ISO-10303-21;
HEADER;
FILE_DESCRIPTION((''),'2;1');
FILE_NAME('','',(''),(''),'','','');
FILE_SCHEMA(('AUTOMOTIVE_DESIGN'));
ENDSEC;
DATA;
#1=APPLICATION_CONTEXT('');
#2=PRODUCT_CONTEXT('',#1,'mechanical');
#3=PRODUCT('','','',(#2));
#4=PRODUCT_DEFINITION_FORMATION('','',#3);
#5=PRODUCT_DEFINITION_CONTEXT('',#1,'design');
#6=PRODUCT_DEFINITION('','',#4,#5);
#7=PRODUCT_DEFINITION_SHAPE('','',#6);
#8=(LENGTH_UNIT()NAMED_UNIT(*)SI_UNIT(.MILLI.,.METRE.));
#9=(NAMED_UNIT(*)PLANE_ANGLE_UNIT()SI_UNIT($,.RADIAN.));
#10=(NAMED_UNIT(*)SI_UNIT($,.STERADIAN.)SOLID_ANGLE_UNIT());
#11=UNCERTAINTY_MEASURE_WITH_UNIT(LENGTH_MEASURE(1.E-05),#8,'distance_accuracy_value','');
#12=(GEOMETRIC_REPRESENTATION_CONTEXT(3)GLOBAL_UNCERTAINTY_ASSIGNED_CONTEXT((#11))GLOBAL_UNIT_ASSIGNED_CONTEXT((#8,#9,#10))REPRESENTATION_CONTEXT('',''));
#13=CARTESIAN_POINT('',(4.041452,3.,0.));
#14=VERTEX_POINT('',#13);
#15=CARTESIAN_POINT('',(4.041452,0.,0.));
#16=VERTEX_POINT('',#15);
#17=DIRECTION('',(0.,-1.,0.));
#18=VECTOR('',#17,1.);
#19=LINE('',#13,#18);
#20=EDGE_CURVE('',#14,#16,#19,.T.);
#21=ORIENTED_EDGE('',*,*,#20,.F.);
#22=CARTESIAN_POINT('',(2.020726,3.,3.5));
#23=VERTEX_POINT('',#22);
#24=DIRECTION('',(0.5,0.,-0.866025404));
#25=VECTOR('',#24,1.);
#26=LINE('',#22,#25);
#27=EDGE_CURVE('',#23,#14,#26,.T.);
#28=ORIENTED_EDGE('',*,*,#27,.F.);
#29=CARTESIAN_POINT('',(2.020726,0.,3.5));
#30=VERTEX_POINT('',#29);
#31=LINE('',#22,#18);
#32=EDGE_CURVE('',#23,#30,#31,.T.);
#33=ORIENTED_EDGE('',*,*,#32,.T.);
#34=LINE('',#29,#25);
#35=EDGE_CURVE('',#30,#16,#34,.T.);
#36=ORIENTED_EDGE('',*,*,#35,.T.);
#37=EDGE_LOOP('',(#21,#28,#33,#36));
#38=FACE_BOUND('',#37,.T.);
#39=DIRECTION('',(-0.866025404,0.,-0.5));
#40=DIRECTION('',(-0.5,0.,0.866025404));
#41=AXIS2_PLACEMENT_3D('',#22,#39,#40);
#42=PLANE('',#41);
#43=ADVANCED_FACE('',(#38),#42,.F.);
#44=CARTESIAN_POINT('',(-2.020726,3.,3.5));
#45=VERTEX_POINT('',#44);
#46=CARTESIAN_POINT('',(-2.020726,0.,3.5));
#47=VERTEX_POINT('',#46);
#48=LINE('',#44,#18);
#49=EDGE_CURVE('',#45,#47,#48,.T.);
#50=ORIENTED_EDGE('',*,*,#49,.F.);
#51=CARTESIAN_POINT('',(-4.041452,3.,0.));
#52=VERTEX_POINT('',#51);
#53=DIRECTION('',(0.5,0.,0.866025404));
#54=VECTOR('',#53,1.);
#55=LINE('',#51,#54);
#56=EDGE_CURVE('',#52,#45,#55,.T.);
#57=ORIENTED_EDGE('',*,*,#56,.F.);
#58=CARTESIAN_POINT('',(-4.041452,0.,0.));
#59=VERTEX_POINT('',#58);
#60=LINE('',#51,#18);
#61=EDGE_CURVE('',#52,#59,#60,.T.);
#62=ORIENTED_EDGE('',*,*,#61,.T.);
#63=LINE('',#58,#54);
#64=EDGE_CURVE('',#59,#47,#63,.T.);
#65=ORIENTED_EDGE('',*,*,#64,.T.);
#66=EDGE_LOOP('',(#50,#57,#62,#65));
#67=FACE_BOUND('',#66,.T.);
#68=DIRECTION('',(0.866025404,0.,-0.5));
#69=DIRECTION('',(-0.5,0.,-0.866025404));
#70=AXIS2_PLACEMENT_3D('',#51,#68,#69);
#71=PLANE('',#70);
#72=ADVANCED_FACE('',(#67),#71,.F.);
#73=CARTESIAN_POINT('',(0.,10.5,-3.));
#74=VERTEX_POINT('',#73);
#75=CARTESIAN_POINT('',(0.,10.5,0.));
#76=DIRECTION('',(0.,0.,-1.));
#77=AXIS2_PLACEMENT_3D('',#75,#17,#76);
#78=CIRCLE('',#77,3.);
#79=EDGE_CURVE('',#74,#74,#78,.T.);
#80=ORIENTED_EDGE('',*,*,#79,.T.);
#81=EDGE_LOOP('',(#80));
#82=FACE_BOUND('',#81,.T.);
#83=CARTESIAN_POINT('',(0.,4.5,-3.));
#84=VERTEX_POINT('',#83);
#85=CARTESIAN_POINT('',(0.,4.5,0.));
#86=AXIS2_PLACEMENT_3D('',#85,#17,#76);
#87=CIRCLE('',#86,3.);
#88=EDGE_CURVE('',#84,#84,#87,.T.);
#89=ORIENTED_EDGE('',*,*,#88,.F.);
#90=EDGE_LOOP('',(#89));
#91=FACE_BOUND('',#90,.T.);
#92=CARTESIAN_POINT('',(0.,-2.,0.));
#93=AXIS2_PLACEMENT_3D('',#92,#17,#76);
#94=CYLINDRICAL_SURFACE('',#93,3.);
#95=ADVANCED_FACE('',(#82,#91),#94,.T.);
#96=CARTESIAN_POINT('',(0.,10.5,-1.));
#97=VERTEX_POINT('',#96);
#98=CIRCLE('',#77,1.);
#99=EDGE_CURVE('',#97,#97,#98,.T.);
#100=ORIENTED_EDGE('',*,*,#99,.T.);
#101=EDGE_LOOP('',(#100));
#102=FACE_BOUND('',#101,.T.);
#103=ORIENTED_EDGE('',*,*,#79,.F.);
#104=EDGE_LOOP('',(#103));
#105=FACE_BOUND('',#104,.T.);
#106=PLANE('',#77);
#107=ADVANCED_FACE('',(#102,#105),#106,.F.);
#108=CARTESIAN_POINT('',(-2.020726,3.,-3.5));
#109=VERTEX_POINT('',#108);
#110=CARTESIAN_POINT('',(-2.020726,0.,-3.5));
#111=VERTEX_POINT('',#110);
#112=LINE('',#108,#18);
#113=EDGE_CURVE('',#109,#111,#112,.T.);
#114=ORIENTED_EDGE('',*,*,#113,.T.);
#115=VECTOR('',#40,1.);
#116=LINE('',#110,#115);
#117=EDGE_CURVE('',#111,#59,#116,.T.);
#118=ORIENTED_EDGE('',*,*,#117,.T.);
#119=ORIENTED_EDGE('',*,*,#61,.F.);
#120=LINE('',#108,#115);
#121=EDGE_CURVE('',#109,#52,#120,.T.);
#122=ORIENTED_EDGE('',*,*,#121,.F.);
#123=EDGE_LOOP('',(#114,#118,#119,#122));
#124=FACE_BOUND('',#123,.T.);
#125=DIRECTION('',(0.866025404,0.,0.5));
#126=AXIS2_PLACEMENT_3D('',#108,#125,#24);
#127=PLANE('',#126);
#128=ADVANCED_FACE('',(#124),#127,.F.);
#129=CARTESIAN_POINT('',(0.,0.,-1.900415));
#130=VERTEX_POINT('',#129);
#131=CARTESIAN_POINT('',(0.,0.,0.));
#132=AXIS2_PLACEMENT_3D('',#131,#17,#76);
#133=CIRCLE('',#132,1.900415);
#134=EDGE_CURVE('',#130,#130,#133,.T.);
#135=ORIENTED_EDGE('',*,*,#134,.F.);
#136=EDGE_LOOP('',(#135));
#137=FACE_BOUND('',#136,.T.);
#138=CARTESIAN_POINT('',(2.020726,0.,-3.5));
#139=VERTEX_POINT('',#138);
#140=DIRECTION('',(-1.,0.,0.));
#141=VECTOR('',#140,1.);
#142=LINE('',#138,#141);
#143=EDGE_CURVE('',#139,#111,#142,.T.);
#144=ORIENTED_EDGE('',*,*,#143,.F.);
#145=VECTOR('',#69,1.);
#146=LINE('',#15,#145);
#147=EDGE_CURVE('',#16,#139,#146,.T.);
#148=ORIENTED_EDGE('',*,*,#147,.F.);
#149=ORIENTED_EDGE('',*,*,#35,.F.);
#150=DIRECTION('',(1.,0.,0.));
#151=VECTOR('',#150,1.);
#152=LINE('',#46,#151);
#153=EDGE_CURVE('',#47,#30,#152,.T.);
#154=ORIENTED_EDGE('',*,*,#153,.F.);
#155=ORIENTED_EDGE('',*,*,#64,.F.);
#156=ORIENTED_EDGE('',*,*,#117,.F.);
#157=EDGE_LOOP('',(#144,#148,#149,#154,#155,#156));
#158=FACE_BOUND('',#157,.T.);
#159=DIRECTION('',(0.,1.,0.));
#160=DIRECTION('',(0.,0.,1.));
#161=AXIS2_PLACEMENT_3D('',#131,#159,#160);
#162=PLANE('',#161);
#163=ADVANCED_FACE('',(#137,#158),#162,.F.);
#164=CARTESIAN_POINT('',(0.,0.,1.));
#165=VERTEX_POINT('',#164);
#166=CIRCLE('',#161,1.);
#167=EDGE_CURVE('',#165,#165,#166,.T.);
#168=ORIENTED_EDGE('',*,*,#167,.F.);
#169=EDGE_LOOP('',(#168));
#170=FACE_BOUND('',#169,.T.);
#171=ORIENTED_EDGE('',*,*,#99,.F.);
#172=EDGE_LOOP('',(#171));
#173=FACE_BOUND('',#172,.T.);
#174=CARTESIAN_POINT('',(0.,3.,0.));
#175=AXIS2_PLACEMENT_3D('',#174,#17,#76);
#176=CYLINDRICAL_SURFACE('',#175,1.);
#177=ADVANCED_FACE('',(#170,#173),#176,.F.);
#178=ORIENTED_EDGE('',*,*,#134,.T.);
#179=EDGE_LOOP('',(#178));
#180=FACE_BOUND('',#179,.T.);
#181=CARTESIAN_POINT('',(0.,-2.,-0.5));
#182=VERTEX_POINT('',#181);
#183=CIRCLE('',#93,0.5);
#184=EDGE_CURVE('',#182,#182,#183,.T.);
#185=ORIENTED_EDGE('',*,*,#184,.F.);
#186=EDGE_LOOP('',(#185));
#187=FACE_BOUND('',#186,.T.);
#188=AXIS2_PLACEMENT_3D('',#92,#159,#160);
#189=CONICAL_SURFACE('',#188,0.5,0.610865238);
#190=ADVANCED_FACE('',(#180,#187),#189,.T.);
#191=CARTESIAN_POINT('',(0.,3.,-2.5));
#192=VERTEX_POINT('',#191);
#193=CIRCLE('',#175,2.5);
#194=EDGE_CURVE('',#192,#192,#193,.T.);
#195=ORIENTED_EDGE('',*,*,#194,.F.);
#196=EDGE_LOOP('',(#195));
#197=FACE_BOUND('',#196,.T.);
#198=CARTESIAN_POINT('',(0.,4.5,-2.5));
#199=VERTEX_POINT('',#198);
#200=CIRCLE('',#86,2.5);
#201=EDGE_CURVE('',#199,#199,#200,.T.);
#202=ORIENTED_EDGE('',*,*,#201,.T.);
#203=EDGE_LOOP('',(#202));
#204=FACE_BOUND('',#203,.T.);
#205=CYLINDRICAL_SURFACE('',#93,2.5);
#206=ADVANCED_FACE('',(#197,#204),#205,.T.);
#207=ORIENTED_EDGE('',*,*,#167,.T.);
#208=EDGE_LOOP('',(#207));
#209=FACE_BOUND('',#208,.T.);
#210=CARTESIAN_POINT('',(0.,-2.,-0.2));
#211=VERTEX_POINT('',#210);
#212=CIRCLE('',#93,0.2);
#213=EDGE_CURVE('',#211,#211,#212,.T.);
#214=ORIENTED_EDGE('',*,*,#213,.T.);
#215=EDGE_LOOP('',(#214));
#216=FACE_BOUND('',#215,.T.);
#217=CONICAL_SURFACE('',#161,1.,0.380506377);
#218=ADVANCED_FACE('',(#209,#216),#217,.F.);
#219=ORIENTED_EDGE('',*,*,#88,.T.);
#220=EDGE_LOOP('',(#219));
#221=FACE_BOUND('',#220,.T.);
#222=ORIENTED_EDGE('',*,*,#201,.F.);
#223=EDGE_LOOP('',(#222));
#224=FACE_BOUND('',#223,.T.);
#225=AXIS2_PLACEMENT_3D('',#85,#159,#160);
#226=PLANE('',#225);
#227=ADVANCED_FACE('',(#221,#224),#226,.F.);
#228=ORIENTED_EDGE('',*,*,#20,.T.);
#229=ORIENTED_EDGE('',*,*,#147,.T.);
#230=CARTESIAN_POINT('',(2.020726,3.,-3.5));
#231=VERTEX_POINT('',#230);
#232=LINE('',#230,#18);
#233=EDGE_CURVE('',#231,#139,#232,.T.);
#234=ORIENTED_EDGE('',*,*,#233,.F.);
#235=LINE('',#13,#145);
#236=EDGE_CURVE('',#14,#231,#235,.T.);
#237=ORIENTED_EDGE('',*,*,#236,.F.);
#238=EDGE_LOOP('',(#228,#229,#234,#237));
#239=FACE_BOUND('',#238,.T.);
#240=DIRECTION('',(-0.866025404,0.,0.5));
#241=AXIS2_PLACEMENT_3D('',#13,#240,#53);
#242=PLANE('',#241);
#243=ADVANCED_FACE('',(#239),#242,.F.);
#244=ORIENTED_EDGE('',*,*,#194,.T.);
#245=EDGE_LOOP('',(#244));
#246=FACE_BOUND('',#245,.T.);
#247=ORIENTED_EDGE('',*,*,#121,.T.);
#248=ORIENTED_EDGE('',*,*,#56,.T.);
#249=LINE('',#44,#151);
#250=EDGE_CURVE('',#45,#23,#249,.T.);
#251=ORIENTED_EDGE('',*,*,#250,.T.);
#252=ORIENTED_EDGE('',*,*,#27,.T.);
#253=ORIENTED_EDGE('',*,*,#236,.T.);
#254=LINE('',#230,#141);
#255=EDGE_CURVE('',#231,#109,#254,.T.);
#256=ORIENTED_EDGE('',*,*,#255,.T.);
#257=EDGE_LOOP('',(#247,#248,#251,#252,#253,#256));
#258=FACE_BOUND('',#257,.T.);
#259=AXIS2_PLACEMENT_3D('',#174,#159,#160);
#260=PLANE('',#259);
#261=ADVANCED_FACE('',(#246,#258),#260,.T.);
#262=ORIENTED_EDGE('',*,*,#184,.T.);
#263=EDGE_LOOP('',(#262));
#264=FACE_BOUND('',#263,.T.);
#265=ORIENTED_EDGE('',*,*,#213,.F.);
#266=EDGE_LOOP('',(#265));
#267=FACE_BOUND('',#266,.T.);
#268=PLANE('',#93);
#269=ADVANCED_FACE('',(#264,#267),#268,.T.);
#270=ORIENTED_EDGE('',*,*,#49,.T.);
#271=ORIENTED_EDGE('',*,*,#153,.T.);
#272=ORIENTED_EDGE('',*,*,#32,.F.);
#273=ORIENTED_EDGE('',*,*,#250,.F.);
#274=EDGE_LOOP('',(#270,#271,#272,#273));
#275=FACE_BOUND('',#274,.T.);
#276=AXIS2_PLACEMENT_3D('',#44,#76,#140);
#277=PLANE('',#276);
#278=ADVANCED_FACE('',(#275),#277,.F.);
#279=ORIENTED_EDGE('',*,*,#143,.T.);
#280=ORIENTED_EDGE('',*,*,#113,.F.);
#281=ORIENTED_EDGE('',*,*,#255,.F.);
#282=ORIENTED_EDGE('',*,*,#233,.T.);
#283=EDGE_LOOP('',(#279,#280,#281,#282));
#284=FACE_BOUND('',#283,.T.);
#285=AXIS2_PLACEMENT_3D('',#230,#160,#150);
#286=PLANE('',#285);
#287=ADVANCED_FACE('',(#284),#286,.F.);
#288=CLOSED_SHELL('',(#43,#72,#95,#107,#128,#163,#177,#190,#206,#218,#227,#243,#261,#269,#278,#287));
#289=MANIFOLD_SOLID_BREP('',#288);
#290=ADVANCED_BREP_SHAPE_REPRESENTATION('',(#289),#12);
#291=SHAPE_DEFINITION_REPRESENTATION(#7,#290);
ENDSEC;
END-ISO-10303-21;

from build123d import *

# Parameters (mm, degrees)
SKETCH1_R           = 1
BOSS_EXTRUDE1_DEPTH = 3


with BuildPart() as part:
    # Sketch1 → Boss-Extrude1 (new body)
    with BuildSketch(Plane(origin=(0, 0, 0), x_dir=(1, 0, 0), z_dir=(0, 1, 0))):
        Polygon((2.020725942, 3.5), (-2.020725942, 3.5), (-4.041451884, 0), (-2.020725942, -3.5), (2.020725942, -3.5), (4.041451884, 0), align=None)
        Circle(SKETCH1_R, mode=Mode.SUBTRACT)
    extrude(amount=BOSS_EXTRUDE1_DEPTH)

    # Sketch2 → Revolve1 (revolve)
    with BuildSketch(Plane.XY):
        Polygon((2.5, 3), (1, 3), (1, 10.5), (3, 10.5), (3, 4.5), (2.5, 4.5), align=None)
        Polygon((1, 0), (1.900415076, 0), (0.5, -2), (0.2, -2), align=None)
    revolve(axis=Axis((0, -2, 0), (0, 1, 0)))


solid = part.part
